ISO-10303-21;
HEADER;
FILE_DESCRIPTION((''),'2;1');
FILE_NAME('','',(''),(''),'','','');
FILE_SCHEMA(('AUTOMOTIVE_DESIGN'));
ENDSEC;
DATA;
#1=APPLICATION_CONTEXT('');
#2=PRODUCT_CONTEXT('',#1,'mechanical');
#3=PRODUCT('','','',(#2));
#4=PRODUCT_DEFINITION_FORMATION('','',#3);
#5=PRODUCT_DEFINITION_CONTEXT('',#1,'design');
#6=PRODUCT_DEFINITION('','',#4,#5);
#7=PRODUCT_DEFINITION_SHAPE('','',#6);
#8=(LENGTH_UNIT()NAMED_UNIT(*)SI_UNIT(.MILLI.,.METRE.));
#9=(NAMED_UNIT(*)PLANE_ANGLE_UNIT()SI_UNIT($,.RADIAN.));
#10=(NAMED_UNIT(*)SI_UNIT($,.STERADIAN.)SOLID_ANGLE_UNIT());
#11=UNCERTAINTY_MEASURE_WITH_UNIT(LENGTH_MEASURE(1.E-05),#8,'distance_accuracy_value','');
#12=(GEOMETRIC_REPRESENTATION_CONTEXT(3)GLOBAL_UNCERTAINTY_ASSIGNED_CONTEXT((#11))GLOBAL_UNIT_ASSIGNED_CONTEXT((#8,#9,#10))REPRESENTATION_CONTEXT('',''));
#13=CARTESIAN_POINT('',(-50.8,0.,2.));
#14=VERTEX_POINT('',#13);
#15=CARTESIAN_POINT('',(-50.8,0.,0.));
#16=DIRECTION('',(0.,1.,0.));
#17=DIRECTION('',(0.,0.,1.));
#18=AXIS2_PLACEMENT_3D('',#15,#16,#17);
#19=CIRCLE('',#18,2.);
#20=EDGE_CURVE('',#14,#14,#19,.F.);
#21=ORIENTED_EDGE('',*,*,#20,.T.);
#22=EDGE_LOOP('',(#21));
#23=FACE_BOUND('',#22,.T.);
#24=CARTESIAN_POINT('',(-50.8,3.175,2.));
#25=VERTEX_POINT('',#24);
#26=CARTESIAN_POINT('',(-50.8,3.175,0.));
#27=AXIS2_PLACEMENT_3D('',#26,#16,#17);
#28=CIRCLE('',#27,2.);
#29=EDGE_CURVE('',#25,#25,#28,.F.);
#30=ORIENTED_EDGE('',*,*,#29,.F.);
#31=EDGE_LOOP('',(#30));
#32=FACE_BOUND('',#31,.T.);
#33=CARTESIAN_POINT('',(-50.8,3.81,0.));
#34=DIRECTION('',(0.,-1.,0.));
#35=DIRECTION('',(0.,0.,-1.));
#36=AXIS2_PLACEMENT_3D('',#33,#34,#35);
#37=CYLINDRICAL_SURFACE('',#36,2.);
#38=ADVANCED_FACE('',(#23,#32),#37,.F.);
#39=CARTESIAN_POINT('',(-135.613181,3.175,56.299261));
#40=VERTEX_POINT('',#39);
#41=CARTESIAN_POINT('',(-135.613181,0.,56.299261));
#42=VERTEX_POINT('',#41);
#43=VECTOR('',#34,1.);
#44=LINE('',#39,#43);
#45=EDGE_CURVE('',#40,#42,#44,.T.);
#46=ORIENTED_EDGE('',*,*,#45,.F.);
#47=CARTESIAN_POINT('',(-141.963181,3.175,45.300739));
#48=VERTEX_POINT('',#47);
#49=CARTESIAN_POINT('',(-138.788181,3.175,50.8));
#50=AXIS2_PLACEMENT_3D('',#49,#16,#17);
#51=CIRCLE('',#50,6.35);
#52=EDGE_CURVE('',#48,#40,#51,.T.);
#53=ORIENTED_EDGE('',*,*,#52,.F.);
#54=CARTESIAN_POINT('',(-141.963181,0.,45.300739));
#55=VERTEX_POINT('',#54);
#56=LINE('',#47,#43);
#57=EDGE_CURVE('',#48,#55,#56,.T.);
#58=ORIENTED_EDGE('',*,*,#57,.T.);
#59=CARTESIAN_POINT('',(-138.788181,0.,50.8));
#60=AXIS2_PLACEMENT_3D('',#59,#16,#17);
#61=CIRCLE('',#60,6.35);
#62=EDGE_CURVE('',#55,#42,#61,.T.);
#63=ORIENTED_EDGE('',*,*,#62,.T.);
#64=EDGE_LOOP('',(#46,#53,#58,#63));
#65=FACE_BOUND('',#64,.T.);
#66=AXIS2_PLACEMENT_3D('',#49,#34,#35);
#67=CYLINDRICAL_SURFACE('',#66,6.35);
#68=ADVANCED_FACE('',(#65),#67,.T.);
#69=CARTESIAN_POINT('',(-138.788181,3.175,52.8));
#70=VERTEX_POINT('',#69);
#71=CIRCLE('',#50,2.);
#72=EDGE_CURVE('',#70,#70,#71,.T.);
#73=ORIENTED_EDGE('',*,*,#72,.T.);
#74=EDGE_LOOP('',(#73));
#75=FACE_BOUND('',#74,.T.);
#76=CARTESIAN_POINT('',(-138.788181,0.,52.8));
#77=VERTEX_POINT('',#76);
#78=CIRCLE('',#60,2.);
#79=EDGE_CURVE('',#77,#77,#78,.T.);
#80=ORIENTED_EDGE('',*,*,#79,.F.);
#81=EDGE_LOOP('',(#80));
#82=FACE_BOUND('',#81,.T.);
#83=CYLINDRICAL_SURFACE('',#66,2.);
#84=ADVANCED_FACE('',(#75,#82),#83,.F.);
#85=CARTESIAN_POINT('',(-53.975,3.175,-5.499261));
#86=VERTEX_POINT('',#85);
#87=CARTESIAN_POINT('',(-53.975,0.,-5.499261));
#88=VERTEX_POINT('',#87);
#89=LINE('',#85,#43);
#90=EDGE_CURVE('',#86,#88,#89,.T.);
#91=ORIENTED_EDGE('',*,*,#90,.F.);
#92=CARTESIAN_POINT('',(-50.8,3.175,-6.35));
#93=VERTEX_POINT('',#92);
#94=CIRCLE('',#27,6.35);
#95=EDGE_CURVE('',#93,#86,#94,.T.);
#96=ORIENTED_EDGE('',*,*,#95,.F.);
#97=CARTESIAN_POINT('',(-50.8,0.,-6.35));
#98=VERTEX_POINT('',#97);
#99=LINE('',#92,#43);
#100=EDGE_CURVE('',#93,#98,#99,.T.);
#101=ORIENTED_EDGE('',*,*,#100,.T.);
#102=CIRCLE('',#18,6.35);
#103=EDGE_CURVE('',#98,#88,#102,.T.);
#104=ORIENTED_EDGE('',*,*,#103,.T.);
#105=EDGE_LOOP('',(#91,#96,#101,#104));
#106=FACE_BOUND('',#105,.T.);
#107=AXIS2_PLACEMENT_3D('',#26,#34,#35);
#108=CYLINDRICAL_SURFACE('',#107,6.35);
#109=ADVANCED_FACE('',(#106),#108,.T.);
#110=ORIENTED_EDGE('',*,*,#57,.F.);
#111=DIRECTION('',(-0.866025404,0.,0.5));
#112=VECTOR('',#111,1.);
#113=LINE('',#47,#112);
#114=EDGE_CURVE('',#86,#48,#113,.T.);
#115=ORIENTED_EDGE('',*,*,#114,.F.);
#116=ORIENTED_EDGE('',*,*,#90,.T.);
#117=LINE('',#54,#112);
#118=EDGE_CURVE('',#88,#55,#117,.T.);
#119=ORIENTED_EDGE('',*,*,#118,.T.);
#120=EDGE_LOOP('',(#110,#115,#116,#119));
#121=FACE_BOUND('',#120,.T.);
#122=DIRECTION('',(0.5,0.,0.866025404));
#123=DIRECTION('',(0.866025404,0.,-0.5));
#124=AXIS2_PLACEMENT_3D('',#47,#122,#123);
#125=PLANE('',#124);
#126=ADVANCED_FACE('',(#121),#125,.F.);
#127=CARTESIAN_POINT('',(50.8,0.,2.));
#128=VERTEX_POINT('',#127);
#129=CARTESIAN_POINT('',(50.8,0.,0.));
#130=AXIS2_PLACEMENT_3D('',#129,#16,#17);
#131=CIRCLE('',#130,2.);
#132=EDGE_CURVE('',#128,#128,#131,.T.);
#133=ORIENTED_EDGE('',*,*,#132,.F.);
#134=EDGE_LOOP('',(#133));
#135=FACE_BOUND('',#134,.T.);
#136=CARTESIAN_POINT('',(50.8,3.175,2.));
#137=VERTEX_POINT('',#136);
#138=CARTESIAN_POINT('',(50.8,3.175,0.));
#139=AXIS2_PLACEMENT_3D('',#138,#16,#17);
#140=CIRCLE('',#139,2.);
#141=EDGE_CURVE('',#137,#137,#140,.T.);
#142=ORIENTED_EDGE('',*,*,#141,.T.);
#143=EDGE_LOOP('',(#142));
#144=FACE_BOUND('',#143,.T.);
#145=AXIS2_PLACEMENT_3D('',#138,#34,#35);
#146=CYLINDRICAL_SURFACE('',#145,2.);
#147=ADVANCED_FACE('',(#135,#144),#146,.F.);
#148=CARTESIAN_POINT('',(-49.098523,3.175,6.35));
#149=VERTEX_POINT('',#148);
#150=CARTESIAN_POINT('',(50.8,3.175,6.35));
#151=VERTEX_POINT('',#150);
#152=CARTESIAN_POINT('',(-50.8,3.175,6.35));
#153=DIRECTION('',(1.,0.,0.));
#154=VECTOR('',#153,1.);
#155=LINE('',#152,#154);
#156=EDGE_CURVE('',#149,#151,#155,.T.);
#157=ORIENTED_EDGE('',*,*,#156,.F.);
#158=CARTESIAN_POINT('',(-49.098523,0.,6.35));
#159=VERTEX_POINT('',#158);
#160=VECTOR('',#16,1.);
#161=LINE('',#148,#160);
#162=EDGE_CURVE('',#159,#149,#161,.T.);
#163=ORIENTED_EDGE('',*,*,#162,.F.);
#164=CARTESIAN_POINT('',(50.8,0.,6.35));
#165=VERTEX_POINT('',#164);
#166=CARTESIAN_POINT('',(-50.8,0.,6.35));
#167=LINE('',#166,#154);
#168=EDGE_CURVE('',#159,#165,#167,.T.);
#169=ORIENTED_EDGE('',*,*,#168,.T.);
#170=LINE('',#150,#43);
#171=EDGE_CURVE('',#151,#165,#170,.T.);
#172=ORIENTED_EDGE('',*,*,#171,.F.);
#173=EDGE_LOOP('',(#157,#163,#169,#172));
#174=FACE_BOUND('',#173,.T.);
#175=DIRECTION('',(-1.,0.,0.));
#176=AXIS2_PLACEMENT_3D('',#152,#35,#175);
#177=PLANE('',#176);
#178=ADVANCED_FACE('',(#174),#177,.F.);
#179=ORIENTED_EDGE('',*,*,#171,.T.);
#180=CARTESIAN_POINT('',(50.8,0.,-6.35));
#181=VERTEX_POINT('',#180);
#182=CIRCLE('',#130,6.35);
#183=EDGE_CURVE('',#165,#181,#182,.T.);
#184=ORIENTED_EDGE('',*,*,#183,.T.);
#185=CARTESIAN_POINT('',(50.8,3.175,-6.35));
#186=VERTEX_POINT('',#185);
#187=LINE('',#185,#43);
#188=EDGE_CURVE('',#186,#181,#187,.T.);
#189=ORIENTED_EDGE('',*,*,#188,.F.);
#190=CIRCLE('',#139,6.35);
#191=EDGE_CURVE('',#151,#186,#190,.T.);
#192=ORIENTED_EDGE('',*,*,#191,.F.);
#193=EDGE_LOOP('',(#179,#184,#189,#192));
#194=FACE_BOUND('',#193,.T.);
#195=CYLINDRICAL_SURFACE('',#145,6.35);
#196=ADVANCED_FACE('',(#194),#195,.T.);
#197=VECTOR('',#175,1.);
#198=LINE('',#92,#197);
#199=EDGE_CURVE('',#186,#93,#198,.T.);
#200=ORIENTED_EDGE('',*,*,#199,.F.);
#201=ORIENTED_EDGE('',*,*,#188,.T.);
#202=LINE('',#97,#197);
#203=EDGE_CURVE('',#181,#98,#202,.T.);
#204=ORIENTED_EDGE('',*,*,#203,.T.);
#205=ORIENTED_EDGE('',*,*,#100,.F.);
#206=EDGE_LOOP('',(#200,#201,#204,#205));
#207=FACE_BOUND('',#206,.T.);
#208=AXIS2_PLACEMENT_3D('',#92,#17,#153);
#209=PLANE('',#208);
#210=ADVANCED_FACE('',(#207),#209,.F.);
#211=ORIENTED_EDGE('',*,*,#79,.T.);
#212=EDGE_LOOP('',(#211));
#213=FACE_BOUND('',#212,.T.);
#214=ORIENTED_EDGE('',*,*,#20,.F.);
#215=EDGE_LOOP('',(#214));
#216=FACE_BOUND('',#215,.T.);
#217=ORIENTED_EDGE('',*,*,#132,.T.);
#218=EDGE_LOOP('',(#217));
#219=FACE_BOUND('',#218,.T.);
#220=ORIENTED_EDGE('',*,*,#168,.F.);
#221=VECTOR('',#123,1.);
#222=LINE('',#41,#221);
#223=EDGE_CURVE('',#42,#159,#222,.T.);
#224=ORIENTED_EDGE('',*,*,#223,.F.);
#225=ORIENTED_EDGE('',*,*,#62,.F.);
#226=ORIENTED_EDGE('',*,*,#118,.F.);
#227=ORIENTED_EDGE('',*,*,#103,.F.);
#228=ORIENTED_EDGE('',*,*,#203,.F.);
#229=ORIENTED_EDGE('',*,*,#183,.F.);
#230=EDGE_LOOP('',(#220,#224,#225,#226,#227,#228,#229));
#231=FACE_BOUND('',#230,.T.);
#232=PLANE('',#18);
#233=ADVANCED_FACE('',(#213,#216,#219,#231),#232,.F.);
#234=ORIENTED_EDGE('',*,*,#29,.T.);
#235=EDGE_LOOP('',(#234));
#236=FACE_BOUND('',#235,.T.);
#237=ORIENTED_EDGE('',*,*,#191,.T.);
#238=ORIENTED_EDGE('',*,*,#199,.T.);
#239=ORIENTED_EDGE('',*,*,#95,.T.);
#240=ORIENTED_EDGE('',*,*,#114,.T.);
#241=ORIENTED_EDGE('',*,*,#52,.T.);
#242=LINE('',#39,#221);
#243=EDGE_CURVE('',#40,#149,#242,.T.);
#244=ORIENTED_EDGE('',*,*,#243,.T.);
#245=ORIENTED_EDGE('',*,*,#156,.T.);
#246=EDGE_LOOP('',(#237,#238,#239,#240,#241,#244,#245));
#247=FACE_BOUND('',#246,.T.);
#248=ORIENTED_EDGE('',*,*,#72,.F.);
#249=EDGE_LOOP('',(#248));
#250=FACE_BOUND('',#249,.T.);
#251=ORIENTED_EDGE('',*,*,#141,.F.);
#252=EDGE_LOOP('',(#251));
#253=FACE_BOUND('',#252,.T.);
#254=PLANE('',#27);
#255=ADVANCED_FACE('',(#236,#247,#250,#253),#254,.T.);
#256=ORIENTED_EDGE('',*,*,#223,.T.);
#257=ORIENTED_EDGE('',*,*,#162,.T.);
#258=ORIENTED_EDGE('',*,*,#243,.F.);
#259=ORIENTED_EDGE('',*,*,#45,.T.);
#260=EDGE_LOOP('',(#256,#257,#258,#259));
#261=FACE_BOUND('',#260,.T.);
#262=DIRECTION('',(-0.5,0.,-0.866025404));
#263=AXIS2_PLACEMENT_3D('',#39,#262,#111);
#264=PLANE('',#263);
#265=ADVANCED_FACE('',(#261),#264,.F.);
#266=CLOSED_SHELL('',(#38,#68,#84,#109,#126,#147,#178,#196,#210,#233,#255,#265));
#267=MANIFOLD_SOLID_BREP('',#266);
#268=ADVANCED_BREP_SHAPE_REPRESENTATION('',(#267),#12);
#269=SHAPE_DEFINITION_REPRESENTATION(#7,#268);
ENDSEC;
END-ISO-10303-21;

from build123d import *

# Parameters (mm, degrees)
SKETCH1_R               = 2.000000064
BOSS_EXTRUDE1_DEPTH     = 3.175
SKETCH2_R               = 2.000000064
BOSS_EXTRUDE2_DEPTH     = 3.175
SKETCH1_2_R             = 2.000000064
CUT_EXTRUDE4_DEPTH      = 3.81
CUT_EXTRUDE4_DEPTH_BACK = 3.81


with BuildPart() as part:
    # Sketch1 → Boss-Extrude1 (new body)
    with BuildSketch(Plane(origin=(0, 0, 0), x_dir=(1, 0, 0), z_dir=(0, 1, 0))):
        with BuildLine():
            Line((-50.8, 6.35), (50.8, 6.35))
            ThreePointArc((50.8, 6.35), (57.15, 0), (50.8, -6.35))
            Line((50.8, -6.35), (-50.8, -6.35))
            ThreePointArc((-50.8, -6.35), (-57.15, 0), (-50.8, 6.35))
        make_face()
        with Locations((-50.8, 0)):
            Circle(SKETCH1_R, mode=Mode.SUBTRACT)
        with Locations((50.8, 0)):
            Circle(SKETCH1_R, mode=Mode.SUBTRACT)
    extrude(amount=BOSS_EXTRUDE1_DEPTH)

    # Sketch2 → Boss-Extrude2 (add)
    with BuildSketch(Plane(origin=(0, 0, 0), x_dir=(1, 0, 0), z_dir=(0, 1, 0))):
        with BuildLine():
            Line((-141.963181024, -45.300738686), (-53.975, 5.499261314))
            ThreePointArc((-53.975, 5.499261314), (-45.300738686, 3.175), (-47.625, -5.499261314))
            Line((-47.625, -5.499261314), (-135.613181024, -56.299261314))
            ThreePointArc((-135.613181024, -56.299261314), (-144.287442339, -53.975), (-141.963181024, -45.300738686))
        make_face()
        with Locations((-138.788181024, -50.8)):
            Circle(SKETCH2_R, mode=Mode.SUBTRACT)
    extrude(amount=BOSS_EXTRUDE2_DEPTH)

    # Sketch1_2 → Cut-Extrude4 (cut, two sides)
    with BuildSketch(Plane(origin=(0, 0, 0), x_dir=(1, 0, 0), z_dir=(0, 1, 0))) as cut_extrude4_sk:
        with Locations((-50.8, 0)):
            Circle(SKETCH1_2_R)
    extrude(amount=CUT_EXTRUDE4_DEPTH, mode=Mode.SUBTRACT)
    extrude(cut_extrude4_sk.sketch, amount=-CUT_EXTRUDE4_DEPTH_BACK, mode=Mode.SUBTRACT)


solid = part.part
